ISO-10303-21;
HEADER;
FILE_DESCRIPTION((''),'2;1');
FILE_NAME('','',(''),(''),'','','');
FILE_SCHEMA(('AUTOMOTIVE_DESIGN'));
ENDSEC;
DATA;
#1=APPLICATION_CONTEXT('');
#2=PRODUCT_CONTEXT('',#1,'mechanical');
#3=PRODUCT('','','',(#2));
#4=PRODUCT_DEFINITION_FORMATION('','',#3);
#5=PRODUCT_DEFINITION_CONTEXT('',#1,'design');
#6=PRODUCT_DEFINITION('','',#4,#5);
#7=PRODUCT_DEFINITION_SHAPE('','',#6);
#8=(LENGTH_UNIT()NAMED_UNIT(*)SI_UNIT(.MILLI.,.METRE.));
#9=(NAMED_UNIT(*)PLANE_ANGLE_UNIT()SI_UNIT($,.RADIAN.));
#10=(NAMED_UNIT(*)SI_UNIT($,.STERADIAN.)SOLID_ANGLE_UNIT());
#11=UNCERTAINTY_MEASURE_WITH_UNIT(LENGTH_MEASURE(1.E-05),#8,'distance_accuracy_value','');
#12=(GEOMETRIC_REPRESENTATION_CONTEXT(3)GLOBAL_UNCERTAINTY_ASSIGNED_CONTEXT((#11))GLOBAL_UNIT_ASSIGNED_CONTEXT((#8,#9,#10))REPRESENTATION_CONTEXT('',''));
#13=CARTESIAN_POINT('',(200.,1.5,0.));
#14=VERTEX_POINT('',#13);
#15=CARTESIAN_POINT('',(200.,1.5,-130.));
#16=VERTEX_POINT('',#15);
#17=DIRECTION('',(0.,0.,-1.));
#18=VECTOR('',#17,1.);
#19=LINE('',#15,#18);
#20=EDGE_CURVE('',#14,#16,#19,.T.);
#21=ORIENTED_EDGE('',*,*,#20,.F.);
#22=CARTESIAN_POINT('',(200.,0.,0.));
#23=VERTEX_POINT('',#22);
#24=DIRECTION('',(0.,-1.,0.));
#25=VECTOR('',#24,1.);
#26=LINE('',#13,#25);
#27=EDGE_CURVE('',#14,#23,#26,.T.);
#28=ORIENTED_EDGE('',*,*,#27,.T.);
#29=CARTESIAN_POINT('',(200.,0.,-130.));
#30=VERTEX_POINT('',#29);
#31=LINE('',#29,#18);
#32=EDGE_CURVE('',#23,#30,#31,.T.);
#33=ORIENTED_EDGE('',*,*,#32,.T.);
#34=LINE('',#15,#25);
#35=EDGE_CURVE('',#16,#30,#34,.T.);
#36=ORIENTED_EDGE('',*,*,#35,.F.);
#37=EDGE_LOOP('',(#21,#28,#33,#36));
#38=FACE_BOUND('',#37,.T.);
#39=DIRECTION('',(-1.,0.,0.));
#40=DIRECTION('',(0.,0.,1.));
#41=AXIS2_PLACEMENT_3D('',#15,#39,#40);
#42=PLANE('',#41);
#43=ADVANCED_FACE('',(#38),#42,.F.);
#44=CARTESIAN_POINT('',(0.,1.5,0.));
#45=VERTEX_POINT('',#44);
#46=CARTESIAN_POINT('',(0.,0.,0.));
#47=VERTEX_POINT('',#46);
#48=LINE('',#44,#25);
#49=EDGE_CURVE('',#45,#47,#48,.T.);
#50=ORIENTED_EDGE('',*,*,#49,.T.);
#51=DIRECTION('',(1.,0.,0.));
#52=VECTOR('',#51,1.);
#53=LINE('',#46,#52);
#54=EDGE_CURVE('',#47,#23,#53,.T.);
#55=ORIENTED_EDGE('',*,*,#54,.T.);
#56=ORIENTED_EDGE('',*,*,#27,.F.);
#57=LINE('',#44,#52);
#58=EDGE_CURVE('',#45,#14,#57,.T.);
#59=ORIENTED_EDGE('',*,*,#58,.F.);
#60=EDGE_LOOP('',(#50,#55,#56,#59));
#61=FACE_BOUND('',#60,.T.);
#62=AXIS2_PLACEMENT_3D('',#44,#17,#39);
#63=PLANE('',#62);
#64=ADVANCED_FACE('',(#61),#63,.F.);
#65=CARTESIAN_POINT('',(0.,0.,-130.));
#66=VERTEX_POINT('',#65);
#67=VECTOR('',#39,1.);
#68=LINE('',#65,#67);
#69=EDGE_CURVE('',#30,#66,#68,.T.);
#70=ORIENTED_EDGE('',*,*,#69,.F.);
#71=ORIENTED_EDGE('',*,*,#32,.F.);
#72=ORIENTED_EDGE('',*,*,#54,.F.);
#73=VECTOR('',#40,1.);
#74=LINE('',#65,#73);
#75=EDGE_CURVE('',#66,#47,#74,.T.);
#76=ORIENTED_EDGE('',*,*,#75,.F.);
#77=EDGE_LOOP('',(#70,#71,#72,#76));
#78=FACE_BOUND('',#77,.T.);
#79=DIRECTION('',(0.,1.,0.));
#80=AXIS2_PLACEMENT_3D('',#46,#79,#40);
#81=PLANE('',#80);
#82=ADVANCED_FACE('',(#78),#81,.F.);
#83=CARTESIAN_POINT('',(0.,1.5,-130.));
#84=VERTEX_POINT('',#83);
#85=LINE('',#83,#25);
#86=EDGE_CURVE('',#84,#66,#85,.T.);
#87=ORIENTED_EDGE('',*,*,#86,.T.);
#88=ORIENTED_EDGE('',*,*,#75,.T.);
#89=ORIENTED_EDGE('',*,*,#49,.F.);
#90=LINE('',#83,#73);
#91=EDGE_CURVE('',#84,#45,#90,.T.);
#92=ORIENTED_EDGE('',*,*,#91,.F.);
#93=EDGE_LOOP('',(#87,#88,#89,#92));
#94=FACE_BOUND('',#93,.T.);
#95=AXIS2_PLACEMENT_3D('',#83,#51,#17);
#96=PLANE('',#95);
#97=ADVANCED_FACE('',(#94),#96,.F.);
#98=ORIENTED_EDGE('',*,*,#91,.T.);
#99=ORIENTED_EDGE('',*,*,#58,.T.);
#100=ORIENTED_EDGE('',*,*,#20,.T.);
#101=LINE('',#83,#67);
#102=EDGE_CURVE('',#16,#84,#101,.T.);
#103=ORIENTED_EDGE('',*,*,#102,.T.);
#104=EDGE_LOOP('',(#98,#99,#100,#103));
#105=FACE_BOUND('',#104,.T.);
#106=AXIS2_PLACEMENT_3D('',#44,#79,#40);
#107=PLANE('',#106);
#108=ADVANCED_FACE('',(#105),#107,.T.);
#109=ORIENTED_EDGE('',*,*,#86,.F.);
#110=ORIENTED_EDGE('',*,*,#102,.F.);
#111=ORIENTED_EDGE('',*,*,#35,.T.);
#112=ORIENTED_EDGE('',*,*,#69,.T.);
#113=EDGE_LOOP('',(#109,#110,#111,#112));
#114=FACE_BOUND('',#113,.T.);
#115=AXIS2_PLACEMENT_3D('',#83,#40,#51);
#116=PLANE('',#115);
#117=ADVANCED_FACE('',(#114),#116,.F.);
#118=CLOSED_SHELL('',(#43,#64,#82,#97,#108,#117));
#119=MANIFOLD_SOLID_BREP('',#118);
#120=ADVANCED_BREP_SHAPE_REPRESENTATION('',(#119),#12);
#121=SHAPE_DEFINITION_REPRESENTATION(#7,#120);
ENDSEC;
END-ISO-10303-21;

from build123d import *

# Parameters (mm, degrees)
SKETCH_1_W      = 200
SKETCH_1_H      = 130
EXTRUDE_1_DEPTH = 1.5


with BuildPart() as part:
    # Эскиз1 → Бобышка-Вытянуть1 (new body)
    with BuildSketch(Plane(origin=(0, 0, 0), x_dir=(1, 0, 0), z_dir=(0, 1, 0))):
        with Locations((100, 65)):
            Rectangle(SKETCH_1_W, SKETCH_1_H)
    extrude(amount=EXTRUDE_1_DEPTH)


solid = part.part
